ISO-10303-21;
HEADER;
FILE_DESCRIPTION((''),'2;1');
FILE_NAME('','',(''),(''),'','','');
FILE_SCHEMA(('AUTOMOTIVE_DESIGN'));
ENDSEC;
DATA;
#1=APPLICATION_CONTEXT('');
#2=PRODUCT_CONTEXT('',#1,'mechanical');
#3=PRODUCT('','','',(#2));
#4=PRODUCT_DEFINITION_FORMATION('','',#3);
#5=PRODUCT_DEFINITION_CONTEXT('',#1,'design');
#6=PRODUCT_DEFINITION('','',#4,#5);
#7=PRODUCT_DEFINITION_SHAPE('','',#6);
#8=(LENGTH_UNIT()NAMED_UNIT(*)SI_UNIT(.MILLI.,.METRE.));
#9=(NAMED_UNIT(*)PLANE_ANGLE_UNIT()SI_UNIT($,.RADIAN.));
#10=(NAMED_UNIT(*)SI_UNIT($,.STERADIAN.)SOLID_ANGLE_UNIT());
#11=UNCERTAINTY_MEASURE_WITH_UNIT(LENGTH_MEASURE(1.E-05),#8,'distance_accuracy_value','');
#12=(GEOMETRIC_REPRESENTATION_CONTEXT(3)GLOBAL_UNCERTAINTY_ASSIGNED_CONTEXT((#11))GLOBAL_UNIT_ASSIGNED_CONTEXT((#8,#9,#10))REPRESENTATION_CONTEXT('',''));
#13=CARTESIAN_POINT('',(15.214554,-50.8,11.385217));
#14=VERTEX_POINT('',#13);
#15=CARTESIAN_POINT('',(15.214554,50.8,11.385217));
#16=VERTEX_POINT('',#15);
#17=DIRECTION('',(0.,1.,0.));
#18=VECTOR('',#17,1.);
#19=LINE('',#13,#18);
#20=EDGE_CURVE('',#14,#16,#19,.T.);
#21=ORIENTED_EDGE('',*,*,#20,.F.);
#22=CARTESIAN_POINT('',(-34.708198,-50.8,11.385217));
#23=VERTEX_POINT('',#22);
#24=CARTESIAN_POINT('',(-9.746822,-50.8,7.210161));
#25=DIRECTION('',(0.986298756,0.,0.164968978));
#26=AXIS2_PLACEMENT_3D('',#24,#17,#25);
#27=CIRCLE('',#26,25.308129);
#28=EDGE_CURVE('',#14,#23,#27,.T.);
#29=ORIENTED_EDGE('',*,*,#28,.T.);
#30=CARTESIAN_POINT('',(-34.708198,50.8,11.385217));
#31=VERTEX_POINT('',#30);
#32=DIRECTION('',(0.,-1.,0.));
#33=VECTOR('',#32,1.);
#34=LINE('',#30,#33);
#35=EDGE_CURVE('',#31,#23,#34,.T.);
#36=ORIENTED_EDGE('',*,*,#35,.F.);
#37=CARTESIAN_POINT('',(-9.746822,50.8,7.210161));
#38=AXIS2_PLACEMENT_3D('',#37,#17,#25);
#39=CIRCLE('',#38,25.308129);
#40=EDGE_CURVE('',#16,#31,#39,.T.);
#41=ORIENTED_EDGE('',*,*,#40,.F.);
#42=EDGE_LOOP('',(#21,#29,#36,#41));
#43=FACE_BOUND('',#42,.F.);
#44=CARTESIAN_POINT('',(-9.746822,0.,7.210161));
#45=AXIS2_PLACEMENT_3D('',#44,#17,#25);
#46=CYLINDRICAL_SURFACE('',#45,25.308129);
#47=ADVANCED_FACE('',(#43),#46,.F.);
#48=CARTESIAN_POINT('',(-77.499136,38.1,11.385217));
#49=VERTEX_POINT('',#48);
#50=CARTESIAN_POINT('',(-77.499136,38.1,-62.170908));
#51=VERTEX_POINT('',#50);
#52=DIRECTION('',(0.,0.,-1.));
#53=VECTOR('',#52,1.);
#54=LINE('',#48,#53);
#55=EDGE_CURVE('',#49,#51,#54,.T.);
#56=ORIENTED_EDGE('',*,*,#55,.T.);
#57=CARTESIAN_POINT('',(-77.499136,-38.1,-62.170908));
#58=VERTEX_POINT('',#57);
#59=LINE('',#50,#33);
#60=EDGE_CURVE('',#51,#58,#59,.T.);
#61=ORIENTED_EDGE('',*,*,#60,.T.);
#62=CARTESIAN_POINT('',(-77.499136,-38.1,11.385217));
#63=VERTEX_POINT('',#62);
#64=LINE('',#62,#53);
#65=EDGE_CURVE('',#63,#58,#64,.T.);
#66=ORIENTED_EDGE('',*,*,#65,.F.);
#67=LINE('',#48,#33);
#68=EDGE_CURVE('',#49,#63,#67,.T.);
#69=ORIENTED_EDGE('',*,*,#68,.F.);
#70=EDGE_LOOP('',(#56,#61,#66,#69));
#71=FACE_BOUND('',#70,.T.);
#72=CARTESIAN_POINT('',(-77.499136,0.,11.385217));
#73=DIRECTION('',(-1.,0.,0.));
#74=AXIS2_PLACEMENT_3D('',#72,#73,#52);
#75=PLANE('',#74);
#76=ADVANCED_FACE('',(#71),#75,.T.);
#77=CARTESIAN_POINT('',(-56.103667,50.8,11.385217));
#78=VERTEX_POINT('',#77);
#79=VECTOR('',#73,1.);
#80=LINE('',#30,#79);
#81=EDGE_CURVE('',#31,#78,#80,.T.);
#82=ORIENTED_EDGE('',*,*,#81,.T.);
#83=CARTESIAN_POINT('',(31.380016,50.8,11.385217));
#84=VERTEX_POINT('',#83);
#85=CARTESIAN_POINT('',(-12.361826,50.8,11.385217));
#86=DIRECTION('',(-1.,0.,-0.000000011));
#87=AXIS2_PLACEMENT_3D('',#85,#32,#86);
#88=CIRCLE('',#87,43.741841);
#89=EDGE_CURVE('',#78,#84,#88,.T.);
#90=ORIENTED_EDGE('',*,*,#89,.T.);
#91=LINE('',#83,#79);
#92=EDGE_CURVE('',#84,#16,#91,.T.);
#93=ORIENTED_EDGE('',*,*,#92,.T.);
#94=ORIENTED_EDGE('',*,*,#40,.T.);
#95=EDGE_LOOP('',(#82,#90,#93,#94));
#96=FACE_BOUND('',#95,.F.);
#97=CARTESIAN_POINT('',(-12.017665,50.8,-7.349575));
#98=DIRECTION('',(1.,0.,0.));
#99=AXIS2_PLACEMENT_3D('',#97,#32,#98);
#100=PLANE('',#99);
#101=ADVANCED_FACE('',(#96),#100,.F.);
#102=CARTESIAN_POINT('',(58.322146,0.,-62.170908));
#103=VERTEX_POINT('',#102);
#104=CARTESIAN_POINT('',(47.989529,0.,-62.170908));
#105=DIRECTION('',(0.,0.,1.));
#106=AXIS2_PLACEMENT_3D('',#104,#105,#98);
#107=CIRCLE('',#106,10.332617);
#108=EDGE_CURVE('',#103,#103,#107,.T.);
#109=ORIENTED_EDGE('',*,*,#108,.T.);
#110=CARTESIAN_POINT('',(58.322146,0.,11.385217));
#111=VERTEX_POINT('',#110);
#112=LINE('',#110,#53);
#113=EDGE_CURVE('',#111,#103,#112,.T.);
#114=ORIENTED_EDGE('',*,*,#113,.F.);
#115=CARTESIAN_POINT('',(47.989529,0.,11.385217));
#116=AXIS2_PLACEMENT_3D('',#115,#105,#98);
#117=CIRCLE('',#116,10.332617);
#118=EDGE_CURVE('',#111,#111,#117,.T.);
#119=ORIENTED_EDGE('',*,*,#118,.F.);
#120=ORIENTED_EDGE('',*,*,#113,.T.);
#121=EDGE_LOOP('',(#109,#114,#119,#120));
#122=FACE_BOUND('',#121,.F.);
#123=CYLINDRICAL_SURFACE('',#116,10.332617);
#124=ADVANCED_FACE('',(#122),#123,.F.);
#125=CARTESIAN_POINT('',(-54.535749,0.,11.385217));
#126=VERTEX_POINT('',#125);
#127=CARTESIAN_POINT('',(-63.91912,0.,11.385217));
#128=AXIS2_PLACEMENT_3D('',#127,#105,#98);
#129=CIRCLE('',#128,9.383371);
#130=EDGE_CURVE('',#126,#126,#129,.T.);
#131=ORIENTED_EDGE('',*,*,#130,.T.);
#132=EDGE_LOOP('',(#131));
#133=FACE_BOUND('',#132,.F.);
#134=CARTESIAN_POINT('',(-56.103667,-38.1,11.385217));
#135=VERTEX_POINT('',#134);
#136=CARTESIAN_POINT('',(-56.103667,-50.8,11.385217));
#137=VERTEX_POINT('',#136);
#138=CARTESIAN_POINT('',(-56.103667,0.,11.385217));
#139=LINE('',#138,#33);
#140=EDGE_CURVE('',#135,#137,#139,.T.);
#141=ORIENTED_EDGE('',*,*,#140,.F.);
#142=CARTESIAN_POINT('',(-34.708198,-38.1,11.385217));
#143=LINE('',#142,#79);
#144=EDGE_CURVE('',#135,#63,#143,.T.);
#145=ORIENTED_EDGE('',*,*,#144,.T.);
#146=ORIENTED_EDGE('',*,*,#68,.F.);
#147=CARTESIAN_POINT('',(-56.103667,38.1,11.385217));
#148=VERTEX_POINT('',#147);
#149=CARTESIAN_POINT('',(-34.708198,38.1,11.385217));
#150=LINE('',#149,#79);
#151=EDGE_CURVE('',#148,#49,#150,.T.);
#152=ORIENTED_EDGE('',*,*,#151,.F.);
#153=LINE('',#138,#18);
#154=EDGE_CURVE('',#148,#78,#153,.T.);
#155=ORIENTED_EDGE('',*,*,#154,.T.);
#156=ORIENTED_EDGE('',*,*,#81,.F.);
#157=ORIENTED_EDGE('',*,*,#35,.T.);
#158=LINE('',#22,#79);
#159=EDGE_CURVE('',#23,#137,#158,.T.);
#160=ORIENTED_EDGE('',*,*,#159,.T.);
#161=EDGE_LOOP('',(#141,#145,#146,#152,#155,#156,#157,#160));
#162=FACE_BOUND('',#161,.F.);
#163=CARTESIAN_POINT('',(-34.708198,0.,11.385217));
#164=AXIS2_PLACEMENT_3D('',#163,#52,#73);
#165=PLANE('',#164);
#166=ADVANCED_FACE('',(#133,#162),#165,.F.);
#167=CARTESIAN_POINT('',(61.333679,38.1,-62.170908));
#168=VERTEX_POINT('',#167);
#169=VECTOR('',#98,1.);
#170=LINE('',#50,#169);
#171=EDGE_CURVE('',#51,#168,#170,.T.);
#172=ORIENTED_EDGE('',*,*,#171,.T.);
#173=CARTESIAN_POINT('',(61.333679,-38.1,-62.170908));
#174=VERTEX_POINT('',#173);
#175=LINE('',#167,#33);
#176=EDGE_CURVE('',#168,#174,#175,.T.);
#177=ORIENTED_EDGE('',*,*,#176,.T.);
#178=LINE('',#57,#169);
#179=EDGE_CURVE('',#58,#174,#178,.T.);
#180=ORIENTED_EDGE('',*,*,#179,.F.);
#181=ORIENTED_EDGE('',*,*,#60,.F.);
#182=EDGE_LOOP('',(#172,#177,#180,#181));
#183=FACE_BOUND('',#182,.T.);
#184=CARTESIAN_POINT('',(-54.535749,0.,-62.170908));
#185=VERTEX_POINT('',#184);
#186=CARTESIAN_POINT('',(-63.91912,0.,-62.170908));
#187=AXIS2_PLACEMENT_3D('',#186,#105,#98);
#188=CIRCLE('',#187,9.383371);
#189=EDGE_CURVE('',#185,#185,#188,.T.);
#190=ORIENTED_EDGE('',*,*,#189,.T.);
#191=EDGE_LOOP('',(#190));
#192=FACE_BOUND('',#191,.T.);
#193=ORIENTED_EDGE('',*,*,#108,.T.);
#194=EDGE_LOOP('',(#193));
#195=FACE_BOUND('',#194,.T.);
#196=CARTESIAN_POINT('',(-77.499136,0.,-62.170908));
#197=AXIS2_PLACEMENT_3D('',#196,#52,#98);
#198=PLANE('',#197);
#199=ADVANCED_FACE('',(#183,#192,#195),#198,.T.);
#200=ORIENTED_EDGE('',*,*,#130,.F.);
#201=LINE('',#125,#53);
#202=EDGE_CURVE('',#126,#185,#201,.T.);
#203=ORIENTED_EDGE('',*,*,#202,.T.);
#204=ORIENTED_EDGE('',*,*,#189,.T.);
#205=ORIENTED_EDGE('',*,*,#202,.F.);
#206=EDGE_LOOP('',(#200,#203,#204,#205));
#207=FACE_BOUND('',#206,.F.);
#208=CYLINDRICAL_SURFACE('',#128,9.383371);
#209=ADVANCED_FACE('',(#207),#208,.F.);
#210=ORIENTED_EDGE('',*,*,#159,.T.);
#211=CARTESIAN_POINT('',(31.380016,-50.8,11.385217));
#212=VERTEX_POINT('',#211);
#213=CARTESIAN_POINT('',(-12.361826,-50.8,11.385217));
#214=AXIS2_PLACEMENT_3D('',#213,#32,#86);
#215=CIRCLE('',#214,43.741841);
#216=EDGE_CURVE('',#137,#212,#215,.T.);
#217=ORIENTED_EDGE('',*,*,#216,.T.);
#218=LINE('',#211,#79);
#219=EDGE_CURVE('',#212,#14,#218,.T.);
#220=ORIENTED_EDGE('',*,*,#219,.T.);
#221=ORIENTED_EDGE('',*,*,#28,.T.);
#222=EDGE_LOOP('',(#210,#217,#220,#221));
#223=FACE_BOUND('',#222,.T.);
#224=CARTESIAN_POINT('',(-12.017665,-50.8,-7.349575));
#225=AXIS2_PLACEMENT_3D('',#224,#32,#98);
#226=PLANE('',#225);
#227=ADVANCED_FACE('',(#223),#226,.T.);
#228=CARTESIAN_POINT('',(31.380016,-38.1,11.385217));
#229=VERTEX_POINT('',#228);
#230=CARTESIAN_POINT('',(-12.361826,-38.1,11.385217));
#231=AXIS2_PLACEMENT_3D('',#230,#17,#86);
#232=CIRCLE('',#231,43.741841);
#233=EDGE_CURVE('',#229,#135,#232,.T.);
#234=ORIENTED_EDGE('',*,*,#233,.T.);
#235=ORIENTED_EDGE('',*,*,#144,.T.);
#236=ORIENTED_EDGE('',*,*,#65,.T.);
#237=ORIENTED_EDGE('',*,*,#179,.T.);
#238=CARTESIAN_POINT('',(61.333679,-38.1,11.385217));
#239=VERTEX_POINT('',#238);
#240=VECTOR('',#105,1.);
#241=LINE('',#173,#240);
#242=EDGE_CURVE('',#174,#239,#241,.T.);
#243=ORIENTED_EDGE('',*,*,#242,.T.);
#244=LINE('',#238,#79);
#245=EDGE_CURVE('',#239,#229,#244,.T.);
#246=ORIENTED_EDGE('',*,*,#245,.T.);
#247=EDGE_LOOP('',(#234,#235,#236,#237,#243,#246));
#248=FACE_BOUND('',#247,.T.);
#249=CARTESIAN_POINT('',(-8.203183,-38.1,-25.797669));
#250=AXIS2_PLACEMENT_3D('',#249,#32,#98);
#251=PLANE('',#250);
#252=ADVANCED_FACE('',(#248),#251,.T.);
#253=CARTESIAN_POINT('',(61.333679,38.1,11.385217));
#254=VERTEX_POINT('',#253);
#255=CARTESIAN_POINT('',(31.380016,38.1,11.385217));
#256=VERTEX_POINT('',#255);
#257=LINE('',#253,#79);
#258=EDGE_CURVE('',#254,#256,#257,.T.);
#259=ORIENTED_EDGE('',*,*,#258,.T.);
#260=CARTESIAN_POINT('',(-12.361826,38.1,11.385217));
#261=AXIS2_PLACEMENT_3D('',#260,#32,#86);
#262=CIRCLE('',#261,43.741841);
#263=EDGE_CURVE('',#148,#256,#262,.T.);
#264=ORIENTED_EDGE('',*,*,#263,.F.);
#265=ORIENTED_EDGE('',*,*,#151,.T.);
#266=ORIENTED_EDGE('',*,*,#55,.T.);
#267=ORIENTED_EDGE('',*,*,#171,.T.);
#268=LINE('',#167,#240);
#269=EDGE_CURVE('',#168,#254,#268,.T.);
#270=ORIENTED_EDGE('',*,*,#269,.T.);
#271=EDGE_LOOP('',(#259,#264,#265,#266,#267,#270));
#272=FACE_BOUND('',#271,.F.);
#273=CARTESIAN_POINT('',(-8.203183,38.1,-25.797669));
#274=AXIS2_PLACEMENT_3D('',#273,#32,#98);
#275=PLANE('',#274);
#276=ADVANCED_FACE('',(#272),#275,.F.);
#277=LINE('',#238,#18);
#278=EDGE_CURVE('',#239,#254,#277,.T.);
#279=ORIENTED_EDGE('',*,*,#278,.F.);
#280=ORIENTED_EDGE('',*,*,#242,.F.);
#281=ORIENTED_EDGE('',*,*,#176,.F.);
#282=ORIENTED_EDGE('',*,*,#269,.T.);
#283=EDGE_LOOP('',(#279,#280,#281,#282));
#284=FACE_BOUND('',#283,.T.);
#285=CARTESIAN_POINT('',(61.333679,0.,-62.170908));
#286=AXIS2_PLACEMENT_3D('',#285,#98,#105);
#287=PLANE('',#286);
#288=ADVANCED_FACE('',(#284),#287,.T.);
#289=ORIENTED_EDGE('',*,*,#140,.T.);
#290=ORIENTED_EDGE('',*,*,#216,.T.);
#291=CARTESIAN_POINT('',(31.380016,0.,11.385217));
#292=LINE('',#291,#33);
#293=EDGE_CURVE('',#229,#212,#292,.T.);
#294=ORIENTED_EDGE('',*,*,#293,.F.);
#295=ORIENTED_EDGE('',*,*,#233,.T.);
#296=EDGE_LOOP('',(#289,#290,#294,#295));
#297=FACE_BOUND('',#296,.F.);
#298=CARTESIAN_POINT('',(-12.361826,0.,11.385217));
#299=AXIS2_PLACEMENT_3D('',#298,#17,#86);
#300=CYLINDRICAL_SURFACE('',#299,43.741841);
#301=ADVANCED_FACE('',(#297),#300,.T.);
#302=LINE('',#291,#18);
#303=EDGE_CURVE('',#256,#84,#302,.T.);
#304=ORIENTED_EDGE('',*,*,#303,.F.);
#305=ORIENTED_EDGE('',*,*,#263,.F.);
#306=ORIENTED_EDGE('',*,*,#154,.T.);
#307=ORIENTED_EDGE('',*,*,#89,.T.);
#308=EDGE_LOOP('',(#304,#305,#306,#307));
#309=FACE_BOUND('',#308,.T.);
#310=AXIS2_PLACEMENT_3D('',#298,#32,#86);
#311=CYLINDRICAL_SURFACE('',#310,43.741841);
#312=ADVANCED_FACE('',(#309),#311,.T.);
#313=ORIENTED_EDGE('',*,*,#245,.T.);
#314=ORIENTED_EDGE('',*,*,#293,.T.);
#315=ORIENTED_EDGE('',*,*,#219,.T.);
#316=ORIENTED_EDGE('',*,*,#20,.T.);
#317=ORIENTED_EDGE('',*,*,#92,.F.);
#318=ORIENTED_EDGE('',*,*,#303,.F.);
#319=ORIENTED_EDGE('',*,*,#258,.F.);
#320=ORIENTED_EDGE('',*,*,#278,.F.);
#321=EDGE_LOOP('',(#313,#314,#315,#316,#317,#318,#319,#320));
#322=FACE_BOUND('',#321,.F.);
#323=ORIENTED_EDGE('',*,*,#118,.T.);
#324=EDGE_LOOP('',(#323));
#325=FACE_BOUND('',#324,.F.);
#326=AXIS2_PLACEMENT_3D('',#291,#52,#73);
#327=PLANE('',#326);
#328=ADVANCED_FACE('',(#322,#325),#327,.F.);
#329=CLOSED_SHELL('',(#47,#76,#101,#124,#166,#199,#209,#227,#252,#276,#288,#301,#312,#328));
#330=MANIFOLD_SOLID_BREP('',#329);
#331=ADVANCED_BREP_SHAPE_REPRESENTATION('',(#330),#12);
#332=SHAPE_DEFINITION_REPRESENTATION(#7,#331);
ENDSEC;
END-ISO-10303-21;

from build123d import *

# Parameters (mm, degrees)
F1_DEPTH      = 38.1
F1_DEPTH_BACK = 38.1
F3_DEPTH      = 50.8
F3_DEPTH_BACK = 50.8
F4_R          = 10.332617
F4_R_2        = 9.383371
F5_DEPTH      = 73.557125


with BuildPart() as f1:
    # F0 (on Front) → F1 (new body, two sides)
    with BuildSketch(Plane.XZ) as f1_sk:
        with BuildLine():
            Line((-34.708198, 11.385217), (-77.499136, 11.385217))
            Line((-77.499136, 11.385217), (-77.499136, -62.170908))
            Line((-77.499136, -62.170908), (61.333679, -62.170908))
            Line((61.333679, -62.170908), (61.333679, 11.385217))
            Line((61.333679, 11.385217), (15.214554, 11.385217))
            ThreePointArc((15.214554, 11.385217), (-9.746822, -18.097968), (-34.708198, 11.385217))
        make_face()
    extrude(amount=F1_DEPTH)
    extrude(f1_sk.sketch, amount=-F1_DEPTH_BACK)

    # F2 (on Front) → F3 (join, two sides)
    with BuildSketch(Plane.XZ) as f3_sk:
        with BuildLine():
            ThreePointArc((15.214554, 11.385217), (-9.746822, -18.097968), (-34.708198, 11.385217))
            Line((-34.708198, 11.385217), (-56.103667, 11.385217))
            ThreePointArc((-56.103667, 11.385217), (-12.361825, -32.356624), (31.380016, 11.385217))
            Line((31.380016, 11.385217), (15.214554, 11.385217))
        make_face()
    extrude(amount=F3_DEPTH)
    extrude(f3_sk.sketch, amount=-F3_DEPTH_BACK)

    # F4 (on face) → F5 (cut, through all)
    with BuildSketch(Plane.XY.offset(11.385217)):
        with Locations((47.989529, 0)):
            Circle(F4_R)
        with Locations((-63.91912, 0)):
            Circle(F4_R_2)
    extrude(amount=-F5_DEPTH, mode=Mode.SUBTRACT)


solid = f1.part
